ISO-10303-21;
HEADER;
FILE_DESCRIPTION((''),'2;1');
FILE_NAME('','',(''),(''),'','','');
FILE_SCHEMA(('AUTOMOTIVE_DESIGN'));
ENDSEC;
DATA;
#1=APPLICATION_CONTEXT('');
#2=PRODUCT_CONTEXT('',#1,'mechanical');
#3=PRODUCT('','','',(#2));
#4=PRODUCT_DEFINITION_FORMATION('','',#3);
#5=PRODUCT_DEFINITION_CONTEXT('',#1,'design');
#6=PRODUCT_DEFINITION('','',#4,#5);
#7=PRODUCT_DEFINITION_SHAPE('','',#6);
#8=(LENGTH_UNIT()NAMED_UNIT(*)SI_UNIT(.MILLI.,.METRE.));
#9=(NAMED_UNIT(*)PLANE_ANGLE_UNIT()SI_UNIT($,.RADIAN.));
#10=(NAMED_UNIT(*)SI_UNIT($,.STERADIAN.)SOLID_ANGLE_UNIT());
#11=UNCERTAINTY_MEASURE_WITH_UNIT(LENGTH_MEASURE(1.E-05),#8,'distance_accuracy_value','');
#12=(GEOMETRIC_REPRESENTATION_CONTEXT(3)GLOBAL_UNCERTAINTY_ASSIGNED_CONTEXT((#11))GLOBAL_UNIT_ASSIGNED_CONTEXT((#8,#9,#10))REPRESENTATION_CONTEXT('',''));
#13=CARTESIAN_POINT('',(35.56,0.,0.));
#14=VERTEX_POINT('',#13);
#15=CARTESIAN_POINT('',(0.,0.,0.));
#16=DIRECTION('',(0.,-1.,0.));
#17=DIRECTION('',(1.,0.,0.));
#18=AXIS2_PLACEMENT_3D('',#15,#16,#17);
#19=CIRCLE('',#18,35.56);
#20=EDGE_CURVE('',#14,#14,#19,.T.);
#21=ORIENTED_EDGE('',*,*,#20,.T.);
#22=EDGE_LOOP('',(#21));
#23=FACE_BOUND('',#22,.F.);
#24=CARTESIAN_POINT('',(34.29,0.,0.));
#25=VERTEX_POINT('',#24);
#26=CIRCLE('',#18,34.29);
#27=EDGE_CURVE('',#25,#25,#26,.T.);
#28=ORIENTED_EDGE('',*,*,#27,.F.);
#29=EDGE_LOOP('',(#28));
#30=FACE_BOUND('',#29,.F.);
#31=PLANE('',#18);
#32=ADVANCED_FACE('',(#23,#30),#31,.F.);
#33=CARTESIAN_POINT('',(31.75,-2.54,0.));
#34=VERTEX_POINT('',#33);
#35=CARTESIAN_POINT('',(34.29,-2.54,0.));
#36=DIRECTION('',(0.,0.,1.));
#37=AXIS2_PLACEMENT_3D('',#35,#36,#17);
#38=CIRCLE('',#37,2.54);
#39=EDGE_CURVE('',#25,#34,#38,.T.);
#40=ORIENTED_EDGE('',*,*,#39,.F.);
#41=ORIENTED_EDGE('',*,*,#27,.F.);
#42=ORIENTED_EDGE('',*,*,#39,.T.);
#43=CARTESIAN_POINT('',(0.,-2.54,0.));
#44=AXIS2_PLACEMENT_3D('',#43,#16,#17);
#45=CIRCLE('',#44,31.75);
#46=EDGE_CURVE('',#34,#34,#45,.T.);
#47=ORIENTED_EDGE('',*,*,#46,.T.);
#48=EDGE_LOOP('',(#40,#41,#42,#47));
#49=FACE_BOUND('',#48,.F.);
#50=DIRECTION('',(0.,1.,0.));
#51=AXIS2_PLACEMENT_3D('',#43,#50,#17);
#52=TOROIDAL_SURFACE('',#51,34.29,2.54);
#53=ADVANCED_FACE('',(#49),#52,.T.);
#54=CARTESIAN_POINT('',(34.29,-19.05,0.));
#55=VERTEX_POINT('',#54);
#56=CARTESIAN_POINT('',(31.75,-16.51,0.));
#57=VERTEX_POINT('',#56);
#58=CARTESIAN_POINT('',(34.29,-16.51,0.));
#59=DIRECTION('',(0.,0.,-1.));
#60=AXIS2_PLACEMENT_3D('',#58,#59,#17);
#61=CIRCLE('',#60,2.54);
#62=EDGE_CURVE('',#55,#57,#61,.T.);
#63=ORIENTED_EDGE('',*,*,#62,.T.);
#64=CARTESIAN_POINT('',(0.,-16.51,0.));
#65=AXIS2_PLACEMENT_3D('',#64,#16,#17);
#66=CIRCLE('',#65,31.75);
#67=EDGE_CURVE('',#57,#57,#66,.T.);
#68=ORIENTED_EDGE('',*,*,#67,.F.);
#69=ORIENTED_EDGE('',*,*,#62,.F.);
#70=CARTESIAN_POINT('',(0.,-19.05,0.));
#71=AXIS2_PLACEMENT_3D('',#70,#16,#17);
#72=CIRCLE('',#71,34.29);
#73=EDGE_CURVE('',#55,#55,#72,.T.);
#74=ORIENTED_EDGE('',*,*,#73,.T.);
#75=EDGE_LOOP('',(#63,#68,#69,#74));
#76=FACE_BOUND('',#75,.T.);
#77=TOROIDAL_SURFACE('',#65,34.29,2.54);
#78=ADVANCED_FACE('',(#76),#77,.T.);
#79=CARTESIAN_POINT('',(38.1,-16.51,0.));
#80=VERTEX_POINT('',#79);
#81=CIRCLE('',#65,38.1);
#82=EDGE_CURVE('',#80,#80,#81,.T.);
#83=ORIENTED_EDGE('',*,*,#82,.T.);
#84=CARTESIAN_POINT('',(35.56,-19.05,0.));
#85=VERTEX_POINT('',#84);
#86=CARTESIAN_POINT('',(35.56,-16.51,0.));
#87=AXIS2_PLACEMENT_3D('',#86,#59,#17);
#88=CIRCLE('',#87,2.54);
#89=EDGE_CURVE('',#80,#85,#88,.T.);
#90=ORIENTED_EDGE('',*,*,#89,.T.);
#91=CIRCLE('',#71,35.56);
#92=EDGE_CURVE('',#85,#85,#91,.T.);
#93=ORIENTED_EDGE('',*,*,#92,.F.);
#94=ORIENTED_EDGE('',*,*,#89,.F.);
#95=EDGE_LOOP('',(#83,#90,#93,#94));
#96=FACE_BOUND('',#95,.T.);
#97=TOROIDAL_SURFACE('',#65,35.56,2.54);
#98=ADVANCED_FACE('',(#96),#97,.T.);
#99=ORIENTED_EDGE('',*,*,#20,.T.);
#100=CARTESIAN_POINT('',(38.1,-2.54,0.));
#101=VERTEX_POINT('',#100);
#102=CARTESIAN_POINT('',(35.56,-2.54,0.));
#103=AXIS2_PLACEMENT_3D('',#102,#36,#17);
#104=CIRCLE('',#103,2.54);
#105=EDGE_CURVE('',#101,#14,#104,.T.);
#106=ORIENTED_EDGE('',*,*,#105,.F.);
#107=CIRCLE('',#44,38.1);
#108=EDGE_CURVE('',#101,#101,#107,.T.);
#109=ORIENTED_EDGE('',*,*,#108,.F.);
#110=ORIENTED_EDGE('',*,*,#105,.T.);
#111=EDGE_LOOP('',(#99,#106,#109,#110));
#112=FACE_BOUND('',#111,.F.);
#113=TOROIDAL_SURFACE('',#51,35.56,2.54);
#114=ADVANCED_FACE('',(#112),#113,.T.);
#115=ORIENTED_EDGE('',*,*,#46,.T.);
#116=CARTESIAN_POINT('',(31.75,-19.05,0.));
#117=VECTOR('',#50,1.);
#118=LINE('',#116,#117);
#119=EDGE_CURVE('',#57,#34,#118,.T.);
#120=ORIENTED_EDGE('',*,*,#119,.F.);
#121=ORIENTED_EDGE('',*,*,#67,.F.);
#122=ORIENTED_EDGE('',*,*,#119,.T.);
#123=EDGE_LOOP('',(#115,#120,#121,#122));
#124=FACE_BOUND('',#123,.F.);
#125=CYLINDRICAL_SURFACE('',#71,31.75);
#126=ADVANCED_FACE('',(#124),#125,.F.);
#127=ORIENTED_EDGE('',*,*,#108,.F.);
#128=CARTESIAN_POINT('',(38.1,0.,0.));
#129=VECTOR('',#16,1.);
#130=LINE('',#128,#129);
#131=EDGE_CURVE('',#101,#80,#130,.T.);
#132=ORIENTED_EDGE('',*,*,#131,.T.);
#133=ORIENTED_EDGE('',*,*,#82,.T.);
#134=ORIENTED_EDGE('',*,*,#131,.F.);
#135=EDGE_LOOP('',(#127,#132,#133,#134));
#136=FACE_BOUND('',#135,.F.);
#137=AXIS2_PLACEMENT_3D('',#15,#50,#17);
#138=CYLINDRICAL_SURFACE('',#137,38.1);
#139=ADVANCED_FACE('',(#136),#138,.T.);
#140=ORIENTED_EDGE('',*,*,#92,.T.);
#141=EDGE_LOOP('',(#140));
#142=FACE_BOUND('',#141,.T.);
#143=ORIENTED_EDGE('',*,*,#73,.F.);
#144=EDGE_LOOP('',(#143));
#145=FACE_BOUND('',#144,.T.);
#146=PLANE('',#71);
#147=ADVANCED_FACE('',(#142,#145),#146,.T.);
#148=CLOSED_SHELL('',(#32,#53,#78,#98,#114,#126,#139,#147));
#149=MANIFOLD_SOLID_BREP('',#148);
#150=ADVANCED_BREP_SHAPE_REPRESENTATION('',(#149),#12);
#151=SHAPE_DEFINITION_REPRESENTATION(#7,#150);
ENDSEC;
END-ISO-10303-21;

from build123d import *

# Parameters (mm, degrees)
F0_R     = 38.1
F1_DEPTH = 19.05
F2_R     = 31.75
F3_DEPTH = 19.05
F4_R     = 2.54
F5_R     = 2.54


with BuildPart() as f1:
    # F0 (on Front) → F1 (new body)
    with BuildSketch(Plane.XZ):
        Circle(F0_R)
    extrude(amount=F1_DEPTH)

    # F2 (on face) → F3 (cut, through all)
    with BuildSketch(Plane.XZ.offset(19.05)):
        Circle(F2_R)
    extrude(amount=-F3_DEPTH, mode=Mode.SUBTRACT)

    # F4
    f4_edges = [f1.edges().sort_by_distance(p)[0] for p in [
        (-38.1, -19.05, 0),
    ]]
    fillet(f4_edges, radius=F4_R)

    # F5
    f5_edges = [f1.edges().sort_by_distance(p)[0] for p in [
        (-31.75, -19.05, 0),
        (-38.1, 0, 0),
        (-31.75, 0, 0),
    ]]
    fillet(f5_edges, radius=F5_R)


solid = f1.part
